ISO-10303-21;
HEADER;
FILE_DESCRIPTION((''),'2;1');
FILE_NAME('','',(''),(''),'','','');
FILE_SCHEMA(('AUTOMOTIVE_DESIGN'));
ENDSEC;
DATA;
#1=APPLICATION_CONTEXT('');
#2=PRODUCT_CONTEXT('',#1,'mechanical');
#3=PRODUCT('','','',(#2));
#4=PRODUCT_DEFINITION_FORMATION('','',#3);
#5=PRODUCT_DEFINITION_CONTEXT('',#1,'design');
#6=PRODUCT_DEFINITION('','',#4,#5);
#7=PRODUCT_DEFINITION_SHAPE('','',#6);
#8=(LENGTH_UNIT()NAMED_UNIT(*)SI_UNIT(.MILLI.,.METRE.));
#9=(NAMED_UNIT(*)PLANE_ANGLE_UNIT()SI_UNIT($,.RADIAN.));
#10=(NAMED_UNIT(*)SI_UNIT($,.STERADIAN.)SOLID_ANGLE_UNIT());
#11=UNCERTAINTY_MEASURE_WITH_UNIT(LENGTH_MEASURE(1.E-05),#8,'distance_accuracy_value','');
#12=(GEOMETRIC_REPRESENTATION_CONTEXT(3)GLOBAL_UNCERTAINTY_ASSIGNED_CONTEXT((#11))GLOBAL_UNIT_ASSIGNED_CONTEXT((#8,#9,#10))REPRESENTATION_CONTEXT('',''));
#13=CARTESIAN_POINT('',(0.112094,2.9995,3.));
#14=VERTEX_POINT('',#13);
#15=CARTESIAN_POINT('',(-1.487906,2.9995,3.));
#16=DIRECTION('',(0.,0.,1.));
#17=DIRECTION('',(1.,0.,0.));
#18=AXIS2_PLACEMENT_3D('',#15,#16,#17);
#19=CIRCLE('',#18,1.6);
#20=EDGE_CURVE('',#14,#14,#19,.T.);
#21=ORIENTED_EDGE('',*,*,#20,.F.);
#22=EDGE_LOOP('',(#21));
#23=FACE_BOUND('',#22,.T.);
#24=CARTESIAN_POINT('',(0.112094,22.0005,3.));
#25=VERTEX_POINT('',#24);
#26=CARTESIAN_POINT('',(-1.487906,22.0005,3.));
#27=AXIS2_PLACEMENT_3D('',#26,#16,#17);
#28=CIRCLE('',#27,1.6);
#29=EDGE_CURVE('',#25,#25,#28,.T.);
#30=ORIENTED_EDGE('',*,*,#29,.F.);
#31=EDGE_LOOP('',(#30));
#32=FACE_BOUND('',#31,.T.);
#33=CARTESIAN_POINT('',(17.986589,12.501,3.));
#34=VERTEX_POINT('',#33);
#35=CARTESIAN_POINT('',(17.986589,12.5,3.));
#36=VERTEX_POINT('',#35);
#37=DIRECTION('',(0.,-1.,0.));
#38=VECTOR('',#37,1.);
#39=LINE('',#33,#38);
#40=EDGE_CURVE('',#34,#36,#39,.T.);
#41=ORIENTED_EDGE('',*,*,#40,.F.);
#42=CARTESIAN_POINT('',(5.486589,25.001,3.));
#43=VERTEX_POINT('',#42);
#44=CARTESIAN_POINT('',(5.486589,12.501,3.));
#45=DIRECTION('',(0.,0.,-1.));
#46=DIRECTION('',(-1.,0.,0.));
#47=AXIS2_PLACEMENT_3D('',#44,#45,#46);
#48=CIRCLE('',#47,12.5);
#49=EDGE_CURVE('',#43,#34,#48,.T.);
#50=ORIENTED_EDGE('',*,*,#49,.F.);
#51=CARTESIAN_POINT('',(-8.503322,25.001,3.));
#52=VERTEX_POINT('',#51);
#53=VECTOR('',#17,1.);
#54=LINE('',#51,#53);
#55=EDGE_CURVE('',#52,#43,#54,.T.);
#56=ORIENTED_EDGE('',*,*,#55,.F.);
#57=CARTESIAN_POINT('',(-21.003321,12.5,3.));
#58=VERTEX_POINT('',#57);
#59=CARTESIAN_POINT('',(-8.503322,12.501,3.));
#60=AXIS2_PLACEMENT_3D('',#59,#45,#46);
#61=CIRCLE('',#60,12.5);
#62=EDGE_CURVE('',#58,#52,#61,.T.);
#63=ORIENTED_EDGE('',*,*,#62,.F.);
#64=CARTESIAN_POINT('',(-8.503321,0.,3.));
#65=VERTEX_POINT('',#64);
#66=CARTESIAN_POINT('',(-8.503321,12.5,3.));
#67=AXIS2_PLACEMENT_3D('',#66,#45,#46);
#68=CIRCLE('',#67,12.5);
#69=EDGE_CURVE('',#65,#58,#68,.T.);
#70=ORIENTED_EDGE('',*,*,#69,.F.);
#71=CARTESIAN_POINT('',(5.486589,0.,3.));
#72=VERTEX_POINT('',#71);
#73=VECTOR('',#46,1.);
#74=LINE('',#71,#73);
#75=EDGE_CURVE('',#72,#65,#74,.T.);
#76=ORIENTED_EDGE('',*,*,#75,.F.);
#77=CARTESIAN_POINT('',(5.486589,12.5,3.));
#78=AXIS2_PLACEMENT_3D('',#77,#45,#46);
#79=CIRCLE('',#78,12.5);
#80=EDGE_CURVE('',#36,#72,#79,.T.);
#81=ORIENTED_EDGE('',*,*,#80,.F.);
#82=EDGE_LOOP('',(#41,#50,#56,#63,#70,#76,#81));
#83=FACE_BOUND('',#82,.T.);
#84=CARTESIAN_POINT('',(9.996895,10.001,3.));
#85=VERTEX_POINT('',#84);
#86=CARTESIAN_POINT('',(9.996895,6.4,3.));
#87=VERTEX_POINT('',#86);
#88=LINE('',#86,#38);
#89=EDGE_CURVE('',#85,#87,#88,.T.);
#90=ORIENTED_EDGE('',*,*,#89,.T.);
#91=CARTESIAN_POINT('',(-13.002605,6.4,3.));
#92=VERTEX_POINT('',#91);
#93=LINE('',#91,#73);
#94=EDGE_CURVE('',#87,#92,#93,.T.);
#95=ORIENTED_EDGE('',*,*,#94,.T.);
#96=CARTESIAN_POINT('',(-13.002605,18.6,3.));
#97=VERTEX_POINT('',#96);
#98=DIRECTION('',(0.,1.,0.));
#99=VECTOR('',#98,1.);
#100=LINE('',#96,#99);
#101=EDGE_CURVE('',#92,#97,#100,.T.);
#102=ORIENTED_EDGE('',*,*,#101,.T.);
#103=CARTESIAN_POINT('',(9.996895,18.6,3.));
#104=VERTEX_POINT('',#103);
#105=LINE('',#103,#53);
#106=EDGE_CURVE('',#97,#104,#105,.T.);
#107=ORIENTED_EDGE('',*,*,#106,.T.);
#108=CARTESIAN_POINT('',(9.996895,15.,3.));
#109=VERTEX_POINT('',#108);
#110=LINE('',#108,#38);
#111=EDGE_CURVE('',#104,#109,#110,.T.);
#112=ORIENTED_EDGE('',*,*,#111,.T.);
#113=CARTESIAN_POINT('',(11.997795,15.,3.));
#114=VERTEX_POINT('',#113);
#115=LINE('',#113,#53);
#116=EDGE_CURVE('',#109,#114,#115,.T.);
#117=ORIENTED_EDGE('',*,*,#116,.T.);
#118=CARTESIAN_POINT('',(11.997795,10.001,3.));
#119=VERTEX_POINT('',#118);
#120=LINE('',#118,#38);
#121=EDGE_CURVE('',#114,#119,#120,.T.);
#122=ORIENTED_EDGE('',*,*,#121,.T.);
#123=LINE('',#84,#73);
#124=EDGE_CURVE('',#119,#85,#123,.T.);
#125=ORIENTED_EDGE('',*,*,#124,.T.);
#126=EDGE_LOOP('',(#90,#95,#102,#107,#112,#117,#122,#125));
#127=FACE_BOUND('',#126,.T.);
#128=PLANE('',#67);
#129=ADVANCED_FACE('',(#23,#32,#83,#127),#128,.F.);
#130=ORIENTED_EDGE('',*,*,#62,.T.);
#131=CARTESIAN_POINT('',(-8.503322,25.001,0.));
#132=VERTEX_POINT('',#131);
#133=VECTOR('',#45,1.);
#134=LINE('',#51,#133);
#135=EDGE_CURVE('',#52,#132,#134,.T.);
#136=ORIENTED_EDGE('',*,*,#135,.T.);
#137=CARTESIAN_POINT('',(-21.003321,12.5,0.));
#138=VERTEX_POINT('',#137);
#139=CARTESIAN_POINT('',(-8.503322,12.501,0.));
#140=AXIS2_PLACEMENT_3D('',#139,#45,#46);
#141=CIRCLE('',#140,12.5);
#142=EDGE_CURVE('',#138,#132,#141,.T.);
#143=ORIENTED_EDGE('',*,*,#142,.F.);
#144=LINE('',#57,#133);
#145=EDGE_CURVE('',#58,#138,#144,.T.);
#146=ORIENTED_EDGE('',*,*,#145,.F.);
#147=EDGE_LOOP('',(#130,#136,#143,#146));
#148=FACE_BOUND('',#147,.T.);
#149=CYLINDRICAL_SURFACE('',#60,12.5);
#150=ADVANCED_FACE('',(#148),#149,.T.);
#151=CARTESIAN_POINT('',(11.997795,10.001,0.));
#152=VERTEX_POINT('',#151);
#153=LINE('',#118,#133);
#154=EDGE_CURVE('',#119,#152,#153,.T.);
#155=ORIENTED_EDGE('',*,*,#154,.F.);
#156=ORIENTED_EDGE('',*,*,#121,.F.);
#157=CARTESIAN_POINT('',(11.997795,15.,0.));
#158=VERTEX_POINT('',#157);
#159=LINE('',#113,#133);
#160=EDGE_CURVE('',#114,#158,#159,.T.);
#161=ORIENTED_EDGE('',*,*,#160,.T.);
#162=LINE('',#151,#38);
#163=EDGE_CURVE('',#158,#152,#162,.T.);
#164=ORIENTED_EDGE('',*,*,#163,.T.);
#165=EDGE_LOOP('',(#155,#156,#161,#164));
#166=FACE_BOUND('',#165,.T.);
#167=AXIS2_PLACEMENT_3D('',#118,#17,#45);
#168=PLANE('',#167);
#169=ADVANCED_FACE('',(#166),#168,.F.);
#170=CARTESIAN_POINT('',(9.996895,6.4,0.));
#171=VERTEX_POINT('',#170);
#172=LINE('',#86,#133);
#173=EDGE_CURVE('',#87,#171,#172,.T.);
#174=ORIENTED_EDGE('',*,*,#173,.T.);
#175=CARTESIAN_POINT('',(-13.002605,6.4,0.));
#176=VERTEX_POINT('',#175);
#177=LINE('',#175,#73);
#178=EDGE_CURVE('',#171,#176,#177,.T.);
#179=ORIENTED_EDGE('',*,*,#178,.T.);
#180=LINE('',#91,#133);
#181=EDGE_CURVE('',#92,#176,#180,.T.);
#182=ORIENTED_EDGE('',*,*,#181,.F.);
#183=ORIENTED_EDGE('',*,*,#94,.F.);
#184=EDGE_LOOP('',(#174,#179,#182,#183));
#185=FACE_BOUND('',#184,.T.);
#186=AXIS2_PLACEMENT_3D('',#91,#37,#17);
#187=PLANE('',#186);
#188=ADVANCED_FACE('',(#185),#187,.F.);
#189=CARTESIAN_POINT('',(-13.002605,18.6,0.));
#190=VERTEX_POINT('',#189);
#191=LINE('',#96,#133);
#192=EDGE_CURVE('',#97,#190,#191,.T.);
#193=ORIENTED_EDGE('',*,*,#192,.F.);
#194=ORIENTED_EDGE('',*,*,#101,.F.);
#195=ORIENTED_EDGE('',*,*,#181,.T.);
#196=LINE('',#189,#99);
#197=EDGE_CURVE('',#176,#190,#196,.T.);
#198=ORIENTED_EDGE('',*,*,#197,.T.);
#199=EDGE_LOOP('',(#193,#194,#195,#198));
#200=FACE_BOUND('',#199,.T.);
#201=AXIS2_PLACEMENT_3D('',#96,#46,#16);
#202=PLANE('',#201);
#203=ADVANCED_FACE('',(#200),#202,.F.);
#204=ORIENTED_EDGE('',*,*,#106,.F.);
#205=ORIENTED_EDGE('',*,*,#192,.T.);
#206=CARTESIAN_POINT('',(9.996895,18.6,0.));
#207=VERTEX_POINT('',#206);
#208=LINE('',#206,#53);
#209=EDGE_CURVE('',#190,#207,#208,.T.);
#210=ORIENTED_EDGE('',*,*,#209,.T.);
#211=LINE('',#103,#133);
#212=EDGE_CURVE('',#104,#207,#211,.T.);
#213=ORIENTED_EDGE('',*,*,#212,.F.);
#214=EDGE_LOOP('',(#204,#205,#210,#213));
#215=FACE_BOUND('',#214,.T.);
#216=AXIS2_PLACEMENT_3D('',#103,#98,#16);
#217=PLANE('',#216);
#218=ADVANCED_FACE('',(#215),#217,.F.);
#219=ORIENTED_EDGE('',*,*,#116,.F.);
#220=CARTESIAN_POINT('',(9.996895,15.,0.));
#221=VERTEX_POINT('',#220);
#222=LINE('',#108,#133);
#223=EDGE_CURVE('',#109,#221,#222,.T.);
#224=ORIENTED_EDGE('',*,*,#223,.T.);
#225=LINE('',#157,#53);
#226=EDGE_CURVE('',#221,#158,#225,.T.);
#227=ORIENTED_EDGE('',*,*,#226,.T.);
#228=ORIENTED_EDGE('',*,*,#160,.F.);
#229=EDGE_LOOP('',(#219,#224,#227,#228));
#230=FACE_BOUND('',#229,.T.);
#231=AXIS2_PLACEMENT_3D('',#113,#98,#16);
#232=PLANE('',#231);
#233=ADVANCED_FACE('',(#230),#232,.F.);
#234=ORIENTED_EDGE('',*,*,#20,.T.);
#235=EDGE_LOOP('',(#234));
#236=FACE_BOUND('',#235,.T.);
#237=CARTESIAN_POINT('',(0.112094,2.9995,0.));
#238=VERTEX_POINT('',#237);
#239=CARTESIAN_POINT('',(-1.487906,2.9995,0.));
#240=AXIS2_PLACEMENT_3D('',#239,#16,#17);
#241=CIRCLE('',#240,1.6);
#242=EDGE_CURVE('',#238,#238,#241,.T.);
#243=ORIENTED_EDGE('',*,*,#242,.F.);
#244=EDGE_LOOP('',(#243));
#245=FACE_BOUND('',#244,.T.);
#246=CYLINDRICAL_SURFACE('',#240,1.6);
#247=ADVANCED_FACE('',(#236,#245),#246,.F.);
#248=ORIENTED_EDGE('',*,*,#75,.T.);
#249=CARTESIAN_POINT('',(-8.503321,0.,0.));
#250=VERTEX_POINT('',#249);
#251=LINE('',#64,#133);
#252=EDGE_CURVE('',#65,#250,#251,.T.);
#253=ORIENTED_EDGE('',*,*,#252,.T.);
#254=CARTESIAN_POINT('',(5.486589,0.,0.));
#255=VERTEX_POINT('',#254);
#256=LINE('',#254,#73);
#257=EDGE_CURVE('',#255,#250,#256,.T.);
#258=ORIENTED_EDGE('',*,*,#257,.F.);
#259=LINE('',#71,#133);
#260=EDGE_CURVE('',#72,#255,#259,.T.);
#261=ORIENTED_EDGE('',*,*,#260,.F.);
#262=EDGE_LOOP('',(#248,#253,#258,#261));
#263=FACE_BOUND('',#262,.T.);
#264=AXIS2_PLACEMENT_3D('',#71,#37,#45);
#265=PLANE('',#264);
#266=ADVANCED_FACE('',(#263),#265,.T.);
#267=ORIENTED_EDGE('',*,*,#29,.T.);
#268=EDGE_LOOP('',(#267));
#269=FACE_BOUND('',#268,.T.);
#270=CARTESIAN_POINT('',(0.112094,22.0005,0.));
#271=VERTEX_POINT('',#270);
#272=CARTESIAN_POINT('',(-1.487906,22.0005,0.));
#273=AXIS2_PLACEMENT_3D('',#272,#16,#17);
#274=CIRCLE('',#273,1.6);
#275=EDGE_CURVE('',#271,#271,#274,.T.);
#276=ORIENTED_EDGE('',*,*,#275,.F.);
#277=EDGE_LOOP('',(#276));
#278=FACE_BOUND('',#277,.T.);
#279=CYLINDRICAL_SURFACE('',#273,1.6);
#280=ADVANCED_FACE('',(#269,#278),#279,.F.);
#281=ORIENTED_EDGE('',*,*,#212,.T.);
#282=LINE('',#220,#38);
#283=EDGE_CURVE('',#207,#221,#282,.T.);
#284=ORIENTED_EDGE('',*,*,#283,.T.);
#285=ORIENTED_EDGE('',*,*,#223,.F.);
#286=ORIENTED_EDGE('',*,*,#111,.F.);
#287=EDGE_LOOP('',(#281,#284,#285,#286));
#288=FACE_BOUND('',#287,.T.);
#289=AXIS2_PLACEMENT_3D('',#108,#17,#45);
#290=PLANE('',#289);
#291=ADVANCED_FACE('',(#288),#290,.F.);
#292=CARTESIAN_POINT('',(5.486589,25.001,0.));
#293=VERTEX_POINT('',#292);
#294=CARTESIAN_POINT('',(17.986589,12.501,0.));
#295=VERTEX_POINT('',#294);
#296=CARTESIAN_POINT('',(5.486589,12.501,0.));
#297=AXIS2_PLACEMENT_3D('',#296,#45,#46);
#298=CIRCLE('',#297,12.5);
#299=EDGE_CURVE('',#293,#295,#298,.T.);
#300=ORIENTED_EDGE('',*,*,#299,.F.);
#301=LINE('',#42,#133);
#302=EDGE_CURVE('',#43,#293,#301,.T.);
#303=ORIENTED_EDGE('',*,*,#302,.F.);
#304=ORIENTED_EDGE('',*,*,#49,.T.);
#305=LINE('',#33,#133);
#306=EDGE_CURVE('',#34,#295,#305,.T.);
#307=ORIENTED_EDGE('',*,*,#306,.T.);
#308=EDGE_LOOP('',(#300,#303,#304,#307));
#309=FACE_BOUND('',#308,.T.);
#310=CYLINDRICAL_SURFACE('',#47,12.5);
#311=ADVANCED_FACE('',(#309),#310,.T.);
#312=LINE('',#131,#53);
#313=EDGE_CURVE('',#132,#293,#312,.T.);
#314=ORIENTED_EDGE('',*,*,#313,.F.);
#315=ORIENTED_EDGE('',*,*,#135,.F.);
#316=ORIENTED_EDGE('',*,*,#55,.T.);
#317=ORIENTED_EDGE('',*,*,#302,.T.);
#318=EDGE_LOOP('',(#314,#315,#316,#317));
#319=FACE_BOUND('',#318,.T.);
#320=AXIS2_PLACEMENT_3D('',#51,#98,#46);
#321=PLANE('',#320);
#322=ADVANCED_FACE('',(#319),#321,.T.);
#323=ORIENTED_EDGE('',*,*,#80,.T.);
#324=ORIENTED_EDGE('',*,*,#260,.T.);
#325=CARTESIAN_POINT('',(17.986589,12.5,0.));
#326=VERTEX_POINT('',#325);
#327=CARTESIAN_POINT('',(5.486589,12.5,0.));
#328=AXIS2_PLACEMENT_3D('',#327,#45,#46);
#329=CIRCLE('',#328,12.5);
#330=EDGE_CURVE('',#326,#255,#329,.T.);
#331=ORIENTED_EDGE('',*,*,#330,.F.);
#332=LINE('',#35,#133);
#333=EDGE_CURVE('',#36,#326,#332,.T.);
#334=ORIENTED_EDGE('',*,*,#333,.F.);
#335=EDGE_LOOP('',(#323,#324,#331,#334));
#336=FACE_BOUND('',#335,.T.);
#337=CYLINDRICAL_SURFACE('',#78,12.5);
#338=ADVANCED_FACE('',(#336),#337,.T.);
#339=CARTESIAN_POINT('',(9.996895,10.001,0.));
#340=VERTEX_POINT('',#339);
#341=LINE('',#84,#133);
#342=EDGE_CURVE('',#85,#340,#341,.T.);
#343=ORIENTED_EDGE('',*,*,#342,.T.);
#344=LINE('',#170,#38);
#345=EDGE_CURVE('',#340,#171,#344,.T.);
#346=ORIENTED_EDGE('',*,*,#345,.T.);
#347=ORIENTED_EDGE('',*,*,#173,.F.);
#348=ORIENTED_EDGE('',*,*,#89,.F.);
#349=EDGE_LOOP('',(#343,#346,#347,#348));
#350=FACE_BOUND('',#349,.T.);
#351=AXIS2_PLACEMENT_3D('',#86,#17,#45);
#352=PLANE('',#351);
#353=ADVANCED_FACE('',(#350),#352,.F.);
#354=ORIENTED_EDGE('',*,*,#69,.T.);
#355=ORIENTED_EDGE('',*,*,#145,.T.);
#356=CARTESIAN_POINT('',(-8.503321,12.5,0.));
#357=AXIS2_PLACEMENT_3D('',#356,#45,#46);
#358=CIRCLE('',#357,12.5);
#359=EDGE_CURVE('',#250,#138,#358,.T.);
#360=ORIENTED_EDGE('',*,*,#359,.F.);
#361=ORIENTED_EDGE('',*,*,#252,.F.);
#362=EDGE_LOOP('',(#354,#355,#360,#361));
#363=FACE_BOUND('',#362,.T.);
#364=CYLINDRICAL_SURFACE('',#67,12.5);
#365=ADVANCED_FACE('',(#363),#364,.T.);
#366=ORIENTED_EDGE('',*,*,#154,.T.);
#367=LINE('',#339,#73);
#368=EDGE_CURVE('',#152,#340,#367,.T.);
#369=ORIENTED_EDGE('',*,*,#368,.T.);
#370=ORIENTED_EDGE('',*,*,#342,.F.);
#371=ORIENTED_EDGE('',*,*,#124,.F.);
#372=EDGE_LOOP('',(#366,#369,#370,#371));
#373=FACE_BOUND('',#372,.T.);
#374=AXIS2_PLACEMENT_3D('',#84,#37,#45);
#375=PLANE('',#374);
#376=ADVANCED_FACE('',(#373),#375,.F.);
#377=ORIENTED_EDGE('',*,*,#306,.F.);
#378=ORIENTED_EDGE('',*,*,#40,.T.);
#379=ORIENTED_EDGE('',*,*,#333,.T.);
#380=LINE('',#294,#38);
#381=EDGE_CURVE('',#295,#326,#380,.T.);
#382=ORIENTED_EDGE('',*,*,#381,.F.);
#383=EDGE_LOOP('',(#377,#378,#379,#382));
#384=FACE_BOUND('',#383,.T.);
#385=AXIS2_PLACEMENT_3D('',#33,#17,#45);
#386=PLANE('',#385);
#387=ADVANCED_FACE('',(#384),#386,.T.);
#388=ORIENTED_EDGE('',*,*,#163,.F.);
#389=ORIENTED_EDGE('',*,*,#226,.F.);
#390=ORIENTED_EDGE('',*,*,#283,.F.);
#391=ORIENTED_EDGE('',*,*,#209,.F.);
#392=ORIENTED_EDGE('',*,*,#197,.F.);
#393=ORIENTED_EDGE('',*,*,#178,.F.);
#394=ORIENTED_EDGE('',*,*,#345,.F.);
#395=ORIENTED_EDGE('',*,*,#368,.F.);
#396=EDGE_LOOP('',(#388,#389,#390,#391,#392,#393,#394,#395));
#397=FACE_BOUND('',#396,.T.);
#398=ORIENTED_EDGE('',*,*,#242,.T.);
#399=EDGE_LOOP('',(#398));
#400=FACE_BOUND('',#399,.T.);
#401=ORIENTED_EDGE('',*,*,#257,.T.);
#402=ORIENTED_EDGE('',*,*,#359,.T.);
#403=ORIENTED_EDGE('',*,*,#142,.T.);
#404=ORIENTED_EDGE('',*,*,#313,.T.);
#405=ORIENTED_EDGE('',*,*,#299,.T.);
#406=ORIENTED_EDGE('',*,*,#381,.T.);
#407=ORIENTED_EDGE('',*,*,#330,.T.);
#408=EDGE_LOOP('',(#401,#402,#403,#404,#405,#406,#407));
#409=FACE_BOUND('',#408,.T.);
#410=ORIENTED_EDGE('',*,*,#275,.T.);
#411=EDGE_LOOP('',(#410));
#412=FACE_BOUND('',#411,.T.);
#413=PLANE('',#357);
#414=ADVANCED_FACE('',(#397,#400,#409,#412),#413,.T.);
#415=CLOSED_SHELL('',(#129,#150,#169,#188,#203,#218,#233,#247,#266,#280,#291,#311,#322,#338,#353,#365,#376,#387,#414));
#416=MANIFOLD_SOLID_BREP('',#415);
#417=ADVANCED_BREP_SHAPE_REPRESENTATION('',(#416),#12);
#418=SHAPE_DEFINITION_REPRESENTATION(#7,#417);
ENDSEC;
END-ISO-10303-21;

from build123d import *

# Parameters (mm, degrees)
SKETCH_1_R          = 1.3
EXTRUDE_1_DEPTH     = 3
SKETCH_2_R          = 1.6
CUT_EXTRUDE_1_DEPTH = 33.790082592


with BuildPart() as part:
    # 草图1 → 凸台-拉伸1 (new body)
    with BuildSketch(Plane(origin=(0, 0, 0), x_dir=(-1, 0, 0), z_dir=(0, 0, -1))):
        with BuildLine():
            Line((8.503321513, 25.001), (-5.486589193, 25.001))
            ThreePointArc((-5.486589193, 25.001), (-14.325423958, 21.339834765), (-17.986589193, 12.501))
            Line((-17.986589193, 12.501), (-17.986589193, 12.5))
            ThreePointArc((-17.986589193, 12.5), (-14.325423958, 3.661165235), (-5.486589193, 0))
            Line((-5.486589193, 0), (8.503321493, 0))
            ThreePointArc((8.503321493, 0), (17.342156257, 3.661165235), (21.003321493, 12.5))
            ThreePointArc((21.003321493, 12.5), (17.342509831, 21.339481206), (8.503321513, 25.001))
        make_face()
        with Locations(Location((1.487905971, 22.0005, 0), (0, 0, 180))):
            Circle(SKETCH_1_R, mode=Mode.SUBTRACT)
        with Locations(Location((1.487905971, 2.9995, 0), (0, 0, 180))):
            Circle(SKETCH_1_R, mode=Mode.SUBTRACT)
        Polygon((-11.997794717, 15), (-9.996894717, 15), (-9.996894717, 18.6), (13.002605283, 18.6), (13.002605283, 6.4), (-9.996894717, 6.4), (-9.996894717, 10.001), (-11.997794717, 10.001), align=None, mode=Mode.SUBTRACT)
    extrude(amount=-EXTRUDE_1_DEPTH)

    # 草图2 → 切除-拉伸1 (cut, through all)
    with BuildSketch(Plane.XY.offset(3)):
        with Locations((-1.487905971, 22.0005)):
            Circle(SKETCH_2_R)
        with Locations((-1.487905971, 2.9995)):
            Circle(SKETCH_2_R)
    extrude(amount=-CUT_EXTRUDE_1_DEPTH, mode=Mode.SUBTRACT)


solid = part.part
